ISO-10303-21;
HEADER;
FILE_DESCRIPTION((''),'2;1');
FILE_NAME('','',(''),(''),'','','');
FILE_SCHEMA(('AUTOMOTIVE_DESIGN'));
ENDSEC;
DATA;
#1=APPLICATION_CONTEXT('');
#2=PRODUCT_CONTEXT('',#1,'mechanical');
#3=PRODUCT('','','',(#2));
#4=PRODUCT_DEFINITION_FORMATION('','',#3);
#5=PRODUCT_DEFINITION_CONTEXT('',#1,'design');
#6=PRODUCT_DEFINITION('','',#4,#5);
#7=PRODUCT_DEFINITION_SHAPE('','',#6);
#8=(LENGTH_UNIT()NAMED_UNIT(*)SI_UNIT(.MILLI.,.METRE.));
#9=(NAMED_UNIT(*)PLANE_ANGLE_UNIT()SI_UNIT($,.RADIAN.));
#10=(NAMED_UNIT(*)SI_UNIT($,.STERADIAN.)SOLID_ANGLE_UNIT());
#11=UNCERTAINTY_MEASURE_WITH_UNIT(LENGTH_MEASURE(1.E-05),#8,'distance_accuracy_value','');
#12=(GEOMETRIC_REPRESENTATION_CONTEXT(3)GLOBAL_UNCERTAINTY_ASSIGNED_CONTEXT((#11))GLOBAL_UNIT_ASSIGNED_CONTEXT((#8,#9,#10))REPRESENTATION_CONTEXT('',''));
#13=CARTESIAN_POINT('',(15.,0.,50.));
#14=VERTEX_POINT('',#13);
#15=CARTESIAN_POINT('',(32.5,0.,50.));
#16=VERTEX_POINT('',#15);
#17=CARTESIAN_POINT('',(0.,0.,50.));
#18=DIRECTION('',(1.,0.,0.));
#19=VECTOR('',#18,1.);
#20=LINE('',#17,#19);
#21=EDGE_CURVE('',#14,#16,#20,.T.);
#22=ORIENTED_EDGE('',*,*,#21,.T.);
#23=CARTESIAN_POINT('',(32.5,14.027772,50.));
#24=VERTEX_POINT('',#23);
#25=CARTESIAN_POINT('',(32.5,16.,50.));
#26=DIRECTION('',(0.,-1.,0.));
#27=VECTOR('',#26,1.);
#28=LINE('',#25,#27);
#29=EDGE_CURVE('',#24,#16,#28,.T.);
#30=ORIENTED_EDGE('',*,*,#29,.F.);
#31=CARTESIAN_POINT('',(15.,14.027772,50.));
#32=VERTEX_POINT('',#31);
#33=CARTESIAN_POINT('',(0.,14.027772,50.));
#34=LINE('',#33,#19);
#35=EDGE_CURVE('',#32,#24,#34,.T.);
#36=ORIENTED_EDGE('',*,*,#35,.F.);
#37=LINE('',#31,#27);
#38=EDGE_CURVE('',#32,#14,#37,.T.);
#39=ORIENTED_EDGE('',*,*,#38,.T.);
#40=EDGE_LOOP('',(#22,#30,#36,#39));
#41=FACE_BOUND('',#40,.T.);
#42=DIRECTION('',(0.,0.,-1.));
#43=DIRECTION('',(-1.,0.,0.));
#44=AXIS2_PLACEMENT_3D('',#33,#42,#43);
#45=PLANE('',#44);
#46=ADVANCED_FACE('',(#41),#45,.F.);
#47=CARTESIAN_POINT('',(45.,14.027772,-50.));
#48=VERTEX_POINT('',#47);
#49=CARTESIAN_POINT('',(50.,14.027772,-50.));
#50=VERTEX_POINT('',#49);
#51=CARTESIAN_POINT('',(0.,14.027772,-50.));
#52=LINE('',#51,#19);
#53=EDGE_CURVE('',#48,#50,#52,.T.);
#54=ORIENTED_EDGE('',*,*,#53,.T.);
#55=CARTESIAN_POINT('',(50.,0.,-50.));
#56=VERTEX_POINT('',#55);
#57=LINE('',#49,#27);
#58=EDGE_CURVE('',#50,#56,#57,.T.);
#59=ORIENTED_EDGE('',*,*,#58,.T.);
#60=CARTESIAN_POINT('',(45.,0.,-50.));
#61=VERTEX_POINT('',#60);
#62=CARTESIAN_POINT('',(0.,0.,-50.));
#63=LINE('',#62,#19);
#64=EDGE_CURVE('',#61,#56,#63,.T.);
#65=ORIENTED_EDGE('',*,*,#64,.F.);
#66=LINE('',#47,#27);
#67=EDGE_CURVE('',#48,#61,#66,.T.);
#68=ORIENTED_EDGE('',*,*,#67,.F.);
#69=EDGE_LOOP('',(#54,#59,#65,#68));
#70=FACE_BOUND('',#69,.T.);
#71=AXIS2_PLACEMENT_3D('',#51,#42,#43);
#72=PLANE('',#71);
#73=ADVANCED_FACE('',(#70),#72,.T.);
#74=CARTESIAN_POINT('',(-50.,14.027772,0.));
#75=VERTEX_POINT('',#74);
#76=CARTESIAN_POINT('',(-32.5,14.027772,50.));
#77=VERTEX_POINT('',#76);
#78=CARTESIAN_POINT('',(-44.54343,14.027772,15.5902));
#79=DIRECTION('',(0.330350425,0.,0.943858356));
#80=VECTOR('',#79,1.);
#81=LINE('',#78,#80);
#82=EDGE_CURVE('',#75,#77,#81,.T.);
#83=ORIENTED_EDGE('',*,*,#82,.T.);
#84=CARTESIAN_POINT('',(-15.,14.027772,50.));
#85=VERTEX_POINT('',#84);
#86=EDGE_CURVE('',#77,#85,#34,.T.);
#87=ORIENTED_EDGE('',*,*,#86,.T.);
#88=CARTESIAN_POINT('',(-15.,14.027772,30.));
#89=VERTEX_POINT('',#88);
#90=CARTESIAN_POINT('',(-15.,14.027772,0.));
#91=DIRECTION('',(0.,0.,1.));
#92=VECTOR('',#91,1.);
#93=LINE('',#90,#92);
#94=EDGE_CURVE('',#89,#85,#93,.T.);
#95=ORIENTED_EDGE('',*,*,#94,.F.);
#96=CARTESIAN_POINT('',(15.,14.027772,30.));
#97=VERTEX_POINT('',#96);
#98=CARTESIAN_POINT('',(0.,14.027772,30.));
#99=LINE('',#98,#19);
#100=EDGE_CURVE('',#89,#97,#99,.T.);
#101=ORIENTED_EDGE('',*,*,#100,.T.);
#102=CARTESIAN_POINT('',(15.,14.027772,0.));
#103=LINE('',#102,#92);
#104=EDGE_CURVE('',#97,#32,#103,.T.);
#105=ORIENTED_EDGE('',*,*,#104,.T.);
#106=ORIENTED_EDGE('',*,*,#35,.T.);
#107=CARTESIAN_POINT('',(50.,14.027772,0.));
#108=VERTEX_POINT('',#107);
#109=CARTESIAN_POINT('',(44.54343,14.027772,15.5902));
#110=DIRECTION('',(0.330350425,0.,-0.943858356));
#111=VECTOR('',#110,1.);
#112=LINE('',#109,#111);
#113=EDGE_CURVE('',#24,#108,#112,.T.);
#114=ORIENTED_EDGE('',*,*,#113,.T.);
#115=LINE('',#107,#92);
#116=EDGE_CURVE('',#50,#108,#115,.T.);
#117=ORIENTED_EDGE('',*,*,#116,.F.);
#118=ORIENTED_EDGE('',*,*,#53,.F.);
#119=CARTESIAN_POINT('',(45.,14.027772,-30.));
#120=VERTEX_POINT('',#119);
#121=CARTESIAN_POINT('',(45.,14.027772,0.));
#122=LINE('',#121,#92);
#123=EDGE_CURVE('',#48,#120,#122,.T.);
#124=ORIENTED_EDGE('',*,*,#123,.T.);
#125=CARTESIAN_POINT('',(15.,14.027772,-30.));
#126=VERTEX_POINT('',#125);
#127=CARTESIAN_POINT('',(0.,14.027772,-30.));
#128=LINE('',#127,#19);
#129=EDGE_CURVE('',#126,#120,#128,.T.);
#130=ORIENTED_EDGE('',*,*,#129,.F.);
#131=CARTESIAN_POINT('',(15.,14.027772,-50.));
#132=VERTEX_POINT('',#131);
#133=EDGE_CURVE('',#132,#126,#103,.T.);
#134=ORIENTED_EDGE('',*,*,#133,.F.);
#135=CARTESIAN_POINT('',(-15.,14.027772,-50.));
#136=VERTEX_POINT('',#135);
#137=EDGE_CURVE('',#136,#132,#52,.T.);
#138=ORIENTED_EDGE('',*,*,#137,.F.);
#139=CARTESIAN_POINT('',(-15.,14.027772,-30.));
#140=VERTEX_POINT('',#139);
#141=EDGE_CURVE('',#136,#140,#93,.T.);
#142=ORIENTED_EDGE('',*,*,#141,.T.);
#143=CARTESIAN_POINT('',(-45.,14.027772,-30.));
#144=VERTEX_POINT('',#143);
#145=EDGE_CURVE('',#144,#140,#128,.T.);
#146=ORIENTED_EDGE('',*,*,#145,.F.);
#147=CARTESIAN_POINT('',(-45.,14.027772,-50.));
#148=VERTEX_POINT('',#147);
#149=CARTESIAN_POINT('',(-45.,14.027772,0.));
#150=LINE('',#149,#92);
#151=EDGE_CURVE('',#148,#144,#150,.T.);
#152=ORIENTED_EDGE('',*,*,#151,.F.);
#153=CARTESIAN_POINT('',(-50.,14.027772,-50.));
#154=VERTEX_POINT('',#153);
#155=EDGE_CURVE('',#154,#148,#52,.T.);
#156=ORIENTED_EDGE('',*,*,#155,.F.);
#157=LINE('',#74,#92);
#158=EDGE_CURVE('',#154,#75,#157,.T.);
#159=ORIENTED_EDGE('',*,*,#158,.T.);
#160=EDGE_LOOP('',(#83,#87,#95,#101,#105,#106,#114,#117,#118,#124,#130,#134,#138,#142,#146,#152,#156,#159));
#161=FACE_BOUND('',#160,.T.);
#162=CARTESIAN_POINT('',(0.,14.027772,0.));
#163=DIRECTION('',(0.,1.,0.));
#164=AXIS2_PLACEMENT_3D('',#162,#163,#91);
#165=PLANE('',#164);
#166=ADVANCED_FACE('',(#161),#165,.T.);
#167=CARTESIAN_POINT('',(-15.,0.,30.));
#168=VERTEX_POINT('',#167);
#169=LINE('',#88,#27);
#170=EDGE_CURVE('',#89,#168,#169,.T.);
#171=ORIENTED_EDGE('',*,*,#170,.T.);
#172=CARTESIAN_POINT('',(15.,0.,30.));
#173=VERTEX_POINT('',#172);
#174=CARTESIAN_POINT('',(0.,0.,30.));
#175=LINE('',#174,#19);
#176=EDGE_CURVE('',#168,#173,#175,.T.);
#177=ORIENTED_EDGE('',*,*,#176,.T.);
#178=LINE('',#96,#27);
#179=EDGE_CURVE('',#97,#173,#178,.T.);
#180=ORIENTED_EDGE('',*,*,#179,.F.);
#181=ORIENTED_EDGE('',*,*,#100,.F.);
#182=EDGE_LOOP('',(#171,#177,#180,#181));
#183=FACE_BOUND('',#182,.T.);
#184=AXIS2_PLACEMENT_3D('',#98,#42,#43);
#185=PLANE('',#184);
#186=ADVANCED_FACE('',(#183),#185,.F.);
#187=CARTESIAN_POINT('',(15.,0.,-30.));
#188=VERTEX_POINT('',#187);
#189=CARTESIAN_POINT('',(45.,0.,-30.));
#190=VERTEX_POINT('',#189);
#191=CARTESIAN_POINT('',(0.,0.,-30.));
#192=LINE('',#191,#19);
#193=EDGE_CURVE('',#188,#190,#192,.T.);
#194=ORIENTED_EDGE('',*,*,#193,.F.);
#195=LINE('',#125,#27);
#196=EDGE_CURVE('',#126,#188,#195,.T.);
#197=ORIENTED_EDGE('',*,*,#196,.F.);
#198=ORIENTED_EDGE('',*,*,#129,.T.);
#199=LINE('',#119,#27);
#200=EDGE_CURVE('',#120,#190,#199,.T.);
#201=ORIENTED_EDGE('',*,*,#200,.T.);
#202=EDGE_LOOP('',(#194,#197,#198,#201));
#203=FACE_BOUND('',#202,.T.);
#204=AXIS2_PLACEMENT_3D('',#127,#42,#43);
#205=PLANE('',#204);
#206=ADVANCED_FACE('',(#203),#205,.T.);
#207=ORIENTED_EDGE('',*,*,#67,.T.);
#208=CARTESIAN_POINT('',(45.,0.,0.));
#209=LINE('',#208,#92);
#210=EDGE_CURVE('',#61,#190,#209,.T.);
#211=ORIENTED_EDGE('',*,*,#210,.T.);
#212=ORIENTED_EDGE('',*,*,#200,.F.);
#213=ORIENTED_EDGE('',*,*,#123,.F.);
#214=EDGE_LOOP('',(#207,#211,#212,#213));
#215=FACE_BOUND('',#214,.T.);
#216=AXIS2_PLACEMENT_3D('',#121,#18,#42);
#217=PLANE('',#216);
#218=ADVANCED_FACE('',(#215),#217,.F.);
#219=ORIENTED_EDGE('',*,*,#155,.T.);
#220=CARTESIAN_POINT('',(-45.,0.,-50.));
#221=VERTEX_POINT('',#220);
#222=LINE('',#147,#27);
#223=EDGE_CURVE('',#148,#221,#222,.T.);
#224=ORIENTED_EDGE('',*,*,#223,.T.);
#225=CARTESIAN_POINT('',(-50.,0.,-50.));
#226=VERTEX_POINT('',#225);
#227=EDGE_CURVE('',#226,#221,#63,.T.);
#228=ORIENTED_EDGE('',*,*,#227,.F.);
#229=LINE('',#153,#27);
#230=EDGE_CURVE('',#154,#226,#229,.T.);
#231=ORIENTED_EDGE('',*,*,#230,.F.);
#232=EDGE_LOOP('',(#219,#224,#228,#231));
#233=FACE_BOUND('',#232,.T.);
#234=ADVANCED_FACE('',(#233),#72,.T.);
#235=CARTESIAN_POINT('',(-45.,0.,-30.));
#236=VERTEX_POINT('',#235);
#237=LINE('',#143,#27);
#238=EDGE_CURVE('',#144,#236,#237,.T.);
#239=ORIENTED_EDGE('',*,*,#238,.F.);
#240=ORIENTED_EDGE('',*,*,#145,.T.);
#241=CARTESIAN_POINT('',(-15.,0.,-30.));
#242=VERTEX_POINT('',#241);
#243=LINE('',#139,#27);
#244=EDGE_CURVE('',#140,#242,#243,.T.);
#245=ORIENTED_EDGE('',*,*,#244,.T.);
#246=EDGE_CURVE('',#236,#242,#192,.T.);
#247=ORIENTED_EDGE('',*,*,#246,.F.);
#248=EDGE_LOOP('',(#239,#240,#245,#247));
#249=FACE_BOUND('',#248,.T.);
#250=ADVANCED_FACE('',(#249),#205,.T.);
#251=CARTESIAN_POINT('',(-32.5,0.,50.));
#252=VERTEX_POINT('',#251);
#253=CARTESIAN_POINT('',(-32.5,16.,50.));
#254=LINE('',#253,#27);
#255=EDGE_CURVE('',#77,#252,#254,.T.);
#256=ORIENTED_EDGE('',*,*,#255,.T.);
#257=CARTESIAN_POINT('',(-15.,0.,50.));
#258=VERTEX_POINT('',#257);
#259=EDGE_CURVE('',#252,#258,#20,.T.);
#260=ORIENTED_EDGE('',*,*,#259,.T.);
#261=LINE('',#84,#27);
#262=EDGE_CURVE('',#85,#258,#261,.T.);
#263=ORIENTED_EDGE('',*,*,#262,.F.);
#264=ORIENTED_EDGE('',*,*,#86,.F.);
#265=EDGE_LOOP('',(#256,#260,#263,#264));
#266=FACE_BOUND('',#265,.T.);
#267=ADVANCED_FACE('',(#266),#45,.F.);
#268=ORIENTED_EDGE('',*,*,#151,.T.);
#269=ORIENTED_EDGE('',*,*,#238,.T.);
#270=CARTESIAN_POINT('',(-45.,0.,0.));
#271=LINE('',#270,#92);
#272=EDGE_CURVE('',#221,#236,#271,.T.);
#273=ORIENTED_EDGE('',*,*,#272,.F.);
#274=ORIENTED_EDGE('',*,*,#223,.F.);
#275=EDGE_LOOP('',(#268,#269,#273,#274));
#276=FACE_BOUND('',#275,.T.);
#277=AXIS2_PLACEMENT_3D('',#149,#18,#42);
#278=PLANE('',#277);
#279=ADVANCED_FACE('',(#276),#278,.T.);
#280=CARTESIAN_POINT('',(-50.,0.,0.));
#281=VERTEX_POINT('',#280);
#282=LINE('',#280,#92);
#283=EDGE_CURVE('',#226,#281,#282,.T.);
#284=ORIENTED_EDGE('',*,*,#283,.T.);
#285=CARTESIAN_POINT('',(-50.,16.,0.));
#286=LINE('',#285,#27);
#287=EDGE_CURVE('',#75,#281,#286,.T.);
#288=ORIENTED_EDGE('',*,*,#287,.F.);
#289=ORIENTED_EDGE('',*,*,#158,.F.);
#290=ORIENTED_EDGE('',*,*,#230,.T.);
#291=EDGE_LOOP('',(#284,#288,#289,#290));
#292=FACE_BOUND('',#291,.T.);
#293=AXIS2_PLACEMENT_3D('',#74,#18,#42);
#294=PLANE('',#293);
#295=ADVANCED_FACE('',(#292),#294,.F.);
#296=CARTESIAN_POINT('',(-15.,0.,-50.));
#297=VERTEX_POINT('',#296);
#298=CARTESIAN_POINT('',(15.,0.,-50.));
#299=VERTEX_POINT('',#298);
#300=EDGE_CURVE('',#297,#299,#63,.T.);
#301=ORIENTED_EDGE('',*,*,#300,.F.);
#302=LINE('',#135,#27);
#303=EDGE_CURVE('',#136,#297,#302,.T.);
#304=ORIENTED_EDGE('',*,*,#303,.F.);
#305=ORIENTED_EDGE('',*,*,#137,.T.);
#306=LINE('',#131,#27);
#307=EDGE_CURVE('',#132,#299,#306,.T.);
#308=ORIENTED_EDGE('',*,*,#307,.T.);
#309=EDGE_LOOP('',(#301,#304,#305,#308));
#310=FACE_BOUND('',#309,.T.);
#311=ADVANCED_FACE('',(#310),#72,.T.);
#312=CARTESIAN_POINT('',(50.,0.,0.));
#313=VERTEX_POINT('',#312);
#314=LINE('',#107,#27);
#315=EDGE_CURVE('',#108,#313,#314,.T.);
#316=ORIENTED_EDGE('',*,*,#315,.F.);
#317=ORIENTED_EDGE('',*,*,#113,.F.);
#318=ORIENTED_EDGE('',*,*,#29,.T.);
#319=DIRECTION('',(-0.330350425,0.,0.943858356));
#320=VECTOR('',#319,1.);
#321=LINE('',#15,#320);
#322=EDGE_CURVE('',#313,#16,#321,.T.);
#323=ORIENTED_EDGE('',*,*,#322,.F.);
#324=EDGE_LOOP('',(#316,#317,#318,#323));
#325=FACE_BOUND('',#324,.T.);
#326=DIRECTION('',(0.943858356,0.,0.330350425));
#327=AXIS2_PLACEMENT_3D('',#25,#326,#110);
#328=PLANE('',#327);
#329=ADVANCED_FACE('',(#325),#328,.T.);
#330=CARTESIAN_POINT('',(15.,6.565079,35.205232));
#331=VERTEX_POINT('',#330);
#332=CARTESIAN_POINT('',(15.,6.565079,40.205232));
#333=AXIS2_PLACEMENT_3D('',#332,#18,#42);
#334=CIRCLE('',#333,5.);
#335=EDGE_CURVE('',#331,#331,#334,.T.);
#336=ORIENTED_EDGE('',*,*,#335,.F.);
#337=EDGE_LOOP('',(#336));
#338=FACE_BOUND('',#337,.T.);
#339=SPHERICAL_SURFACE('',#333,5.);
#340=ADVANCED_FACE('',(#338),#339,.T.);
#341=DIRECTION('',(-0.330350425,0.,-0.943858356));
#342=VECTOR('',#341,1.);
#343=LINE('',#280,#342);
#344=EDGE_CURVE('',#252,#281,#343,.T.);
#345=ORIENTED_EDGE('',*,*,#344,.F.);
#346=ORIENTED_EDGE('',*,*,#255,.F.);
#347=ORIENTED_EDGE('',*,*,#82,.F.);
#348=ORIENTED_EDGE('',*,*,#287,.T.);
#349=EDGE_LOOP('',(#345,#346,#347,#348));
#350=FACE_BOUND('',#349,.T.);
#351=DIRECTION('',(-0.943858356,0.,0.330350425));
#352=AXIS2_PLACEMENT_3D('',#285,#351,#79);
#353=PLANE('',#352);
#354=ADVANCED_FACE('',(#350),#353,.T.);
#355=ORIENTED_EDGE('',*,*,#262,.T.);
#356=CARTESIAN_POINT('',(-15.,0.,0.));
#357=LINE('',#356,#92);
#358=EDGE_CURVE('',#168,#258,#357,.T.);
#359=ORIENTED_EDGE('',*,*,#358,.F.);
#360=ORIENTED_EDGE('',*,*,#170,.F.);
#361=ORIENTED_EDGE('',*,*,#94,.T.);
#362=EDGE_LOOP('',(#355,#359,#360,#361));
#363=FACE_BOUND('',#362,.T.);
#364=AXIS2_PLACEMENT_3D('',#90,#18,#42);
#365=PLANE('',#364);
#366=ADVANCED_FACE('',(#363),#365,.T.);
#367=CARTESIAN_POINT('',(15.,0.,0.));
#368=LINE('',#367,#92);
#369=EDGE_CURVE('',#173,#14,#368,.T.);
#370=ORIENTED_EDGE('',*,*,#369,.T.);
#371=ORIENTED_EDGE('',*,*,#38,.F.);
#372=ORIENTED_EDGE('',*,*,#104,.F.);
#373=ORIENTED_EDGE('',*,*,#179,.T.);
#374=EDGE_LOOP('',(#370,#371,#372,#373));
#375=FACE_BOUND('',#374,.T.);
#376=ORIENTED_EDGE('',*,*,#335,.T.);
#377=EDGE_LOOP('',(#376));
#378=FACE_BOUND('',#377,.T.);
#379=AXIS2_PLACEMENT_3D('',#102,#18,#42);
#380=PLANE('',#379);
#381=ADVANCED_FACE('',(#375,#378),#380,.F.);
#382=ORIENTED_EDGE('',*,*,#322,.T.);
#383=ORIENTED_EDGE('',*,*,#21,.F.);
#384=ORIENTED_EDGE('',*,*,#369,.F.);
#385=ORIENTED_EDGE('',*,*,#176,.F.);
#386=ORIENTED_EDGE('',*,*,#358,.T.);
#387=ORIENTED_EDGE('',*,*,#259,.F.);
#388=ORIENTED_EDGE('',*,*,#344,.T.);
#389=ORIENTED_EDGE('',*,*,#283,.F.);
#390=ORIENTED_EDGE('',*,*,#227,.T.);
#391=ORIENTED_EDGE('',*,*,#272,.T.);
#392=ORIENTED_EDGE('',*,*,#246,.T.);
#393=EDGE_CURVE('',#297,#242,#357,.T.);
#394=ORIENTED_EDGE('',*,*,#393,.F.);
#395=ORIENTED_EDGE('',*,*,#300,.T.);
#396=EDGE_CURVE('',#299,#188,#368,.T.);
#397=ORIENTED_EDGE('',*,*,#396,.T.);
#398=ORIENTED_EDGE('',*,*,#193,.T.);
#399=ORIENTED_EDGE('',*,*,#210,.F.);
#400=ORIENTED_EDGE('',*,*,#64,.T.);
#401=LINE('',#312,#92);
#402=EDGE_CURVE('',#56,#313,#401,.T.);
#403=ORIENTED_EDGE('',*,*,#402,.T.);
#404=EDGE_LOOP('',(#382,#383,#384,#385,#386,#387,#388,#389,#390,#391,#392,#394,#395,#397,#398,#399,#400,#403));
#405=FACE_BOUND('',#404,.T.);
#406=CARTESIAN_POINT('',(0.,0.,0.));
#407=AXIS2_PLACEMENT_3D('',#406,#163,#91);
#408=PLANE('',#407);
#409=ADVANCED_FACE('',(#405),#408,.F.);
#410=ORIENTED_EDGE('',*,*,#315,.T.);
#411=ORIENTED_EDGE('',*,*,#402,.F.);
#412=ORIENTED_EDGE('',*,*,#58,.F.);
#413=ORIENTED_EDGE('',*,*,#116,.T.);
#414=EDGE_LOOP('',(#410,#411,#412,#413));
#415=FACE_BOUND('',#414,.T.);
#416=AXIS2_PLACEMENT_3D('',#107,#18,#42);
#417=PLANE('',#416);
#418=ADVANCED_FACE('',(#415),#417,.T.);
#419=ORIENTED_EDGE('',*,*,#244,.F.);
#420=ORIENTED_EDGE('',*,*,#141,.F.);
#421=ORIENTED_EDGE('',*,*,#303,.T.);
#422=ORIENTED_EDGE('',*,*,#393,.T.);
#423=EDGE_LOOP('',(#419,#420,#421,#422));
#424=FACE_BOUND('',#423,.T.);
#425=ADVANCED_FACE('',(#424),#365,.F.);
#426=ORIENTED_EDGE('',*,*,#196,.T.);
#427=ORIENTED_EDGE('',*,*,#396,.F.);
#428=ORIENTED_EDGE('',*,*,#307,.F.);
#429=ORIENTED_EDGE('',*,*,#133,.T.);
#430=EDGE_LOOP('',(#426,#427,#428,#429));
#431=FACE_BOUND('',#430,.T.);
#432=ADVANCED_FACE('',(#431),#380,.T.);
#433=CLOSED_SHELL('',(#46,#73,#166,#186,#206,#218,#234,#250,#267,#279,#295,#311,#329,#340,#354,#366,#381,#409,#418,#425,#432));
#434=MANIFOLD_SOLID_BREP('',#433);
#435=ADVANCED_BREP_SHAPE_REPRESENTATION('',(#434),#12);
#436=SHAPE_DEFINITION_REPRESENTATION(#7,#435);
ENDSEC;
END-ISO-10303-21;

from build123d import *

# Parameters (mm, degrees)
BOSS_EXTRUDE1_DEPTH = 14.027771651
CUT_EXTRUDE1_DEPTH  = 16
CUT_EXTRUDE2_DEPTH  = 16


with BuildPart() as part:
    # Sketch1 → Boss-Extrude1 (new body)
    with BuildSketch(Plane(origin=(0, 0, 0), x_dir=(1, 0, 0), z_dir=(0, 1, 0))):
        Polygon((-45, 50), (-50, 50), (-50, -50), (-15, -50), (-15, -30), (15, -30), (15, -50), (50, -50), (50, 50), (45, 50), (45, 30), (15, 30), (15, 50), (-15, 50), (-15, 30), (-45, 30), align=None)
    extrude(amount=BOSS_EXTRUDE1_DEPTH)

    # Sketch2 → Revolve1 (revolve)
    with BuildSketch(Plane.ZY.offset(-15)):
        with BuildLine():
            Line((40.205231865, 11.565079329), (40.205231865, 1.565079329))
            ThreePointArc((40.205231865, 1.565079329), (35.205231865, 6.565079329), (40.205231865, 11.565079329))
        make_face()
    revolve(axis=Axis((15, 11.565079329, 40.205231865), (0, -1, 0)))

    # Sketch3 → Cut-Extrude1 (cut)
    with BuildSketch(Plane(origin=(0, 0, 0), x_dir=(1, 0, 0), z_dir=(0, 1, 0))):
        Polygon((-50, 0), (-32.5, -50), (-50, -50), align=None)
    extrude(amount=CUT_EXTRUDE1_DEPTH, mode=Mode.SUBTRACT)

    # Sketch4 → Cut-Extrude2 (cut)
    with BuildSketch(Plane(origin=(0, 0, 0), x_dir=(1, 0, 0), z_dir=(0, 1, 0))):
        Polygon((32.5, -50), (50, 0), (50, -50), align=None)
    extrude(amount=CUT_EXTRUDE2_DEPTH, mode=Mode.SUBTRACT)


solid = part.part
